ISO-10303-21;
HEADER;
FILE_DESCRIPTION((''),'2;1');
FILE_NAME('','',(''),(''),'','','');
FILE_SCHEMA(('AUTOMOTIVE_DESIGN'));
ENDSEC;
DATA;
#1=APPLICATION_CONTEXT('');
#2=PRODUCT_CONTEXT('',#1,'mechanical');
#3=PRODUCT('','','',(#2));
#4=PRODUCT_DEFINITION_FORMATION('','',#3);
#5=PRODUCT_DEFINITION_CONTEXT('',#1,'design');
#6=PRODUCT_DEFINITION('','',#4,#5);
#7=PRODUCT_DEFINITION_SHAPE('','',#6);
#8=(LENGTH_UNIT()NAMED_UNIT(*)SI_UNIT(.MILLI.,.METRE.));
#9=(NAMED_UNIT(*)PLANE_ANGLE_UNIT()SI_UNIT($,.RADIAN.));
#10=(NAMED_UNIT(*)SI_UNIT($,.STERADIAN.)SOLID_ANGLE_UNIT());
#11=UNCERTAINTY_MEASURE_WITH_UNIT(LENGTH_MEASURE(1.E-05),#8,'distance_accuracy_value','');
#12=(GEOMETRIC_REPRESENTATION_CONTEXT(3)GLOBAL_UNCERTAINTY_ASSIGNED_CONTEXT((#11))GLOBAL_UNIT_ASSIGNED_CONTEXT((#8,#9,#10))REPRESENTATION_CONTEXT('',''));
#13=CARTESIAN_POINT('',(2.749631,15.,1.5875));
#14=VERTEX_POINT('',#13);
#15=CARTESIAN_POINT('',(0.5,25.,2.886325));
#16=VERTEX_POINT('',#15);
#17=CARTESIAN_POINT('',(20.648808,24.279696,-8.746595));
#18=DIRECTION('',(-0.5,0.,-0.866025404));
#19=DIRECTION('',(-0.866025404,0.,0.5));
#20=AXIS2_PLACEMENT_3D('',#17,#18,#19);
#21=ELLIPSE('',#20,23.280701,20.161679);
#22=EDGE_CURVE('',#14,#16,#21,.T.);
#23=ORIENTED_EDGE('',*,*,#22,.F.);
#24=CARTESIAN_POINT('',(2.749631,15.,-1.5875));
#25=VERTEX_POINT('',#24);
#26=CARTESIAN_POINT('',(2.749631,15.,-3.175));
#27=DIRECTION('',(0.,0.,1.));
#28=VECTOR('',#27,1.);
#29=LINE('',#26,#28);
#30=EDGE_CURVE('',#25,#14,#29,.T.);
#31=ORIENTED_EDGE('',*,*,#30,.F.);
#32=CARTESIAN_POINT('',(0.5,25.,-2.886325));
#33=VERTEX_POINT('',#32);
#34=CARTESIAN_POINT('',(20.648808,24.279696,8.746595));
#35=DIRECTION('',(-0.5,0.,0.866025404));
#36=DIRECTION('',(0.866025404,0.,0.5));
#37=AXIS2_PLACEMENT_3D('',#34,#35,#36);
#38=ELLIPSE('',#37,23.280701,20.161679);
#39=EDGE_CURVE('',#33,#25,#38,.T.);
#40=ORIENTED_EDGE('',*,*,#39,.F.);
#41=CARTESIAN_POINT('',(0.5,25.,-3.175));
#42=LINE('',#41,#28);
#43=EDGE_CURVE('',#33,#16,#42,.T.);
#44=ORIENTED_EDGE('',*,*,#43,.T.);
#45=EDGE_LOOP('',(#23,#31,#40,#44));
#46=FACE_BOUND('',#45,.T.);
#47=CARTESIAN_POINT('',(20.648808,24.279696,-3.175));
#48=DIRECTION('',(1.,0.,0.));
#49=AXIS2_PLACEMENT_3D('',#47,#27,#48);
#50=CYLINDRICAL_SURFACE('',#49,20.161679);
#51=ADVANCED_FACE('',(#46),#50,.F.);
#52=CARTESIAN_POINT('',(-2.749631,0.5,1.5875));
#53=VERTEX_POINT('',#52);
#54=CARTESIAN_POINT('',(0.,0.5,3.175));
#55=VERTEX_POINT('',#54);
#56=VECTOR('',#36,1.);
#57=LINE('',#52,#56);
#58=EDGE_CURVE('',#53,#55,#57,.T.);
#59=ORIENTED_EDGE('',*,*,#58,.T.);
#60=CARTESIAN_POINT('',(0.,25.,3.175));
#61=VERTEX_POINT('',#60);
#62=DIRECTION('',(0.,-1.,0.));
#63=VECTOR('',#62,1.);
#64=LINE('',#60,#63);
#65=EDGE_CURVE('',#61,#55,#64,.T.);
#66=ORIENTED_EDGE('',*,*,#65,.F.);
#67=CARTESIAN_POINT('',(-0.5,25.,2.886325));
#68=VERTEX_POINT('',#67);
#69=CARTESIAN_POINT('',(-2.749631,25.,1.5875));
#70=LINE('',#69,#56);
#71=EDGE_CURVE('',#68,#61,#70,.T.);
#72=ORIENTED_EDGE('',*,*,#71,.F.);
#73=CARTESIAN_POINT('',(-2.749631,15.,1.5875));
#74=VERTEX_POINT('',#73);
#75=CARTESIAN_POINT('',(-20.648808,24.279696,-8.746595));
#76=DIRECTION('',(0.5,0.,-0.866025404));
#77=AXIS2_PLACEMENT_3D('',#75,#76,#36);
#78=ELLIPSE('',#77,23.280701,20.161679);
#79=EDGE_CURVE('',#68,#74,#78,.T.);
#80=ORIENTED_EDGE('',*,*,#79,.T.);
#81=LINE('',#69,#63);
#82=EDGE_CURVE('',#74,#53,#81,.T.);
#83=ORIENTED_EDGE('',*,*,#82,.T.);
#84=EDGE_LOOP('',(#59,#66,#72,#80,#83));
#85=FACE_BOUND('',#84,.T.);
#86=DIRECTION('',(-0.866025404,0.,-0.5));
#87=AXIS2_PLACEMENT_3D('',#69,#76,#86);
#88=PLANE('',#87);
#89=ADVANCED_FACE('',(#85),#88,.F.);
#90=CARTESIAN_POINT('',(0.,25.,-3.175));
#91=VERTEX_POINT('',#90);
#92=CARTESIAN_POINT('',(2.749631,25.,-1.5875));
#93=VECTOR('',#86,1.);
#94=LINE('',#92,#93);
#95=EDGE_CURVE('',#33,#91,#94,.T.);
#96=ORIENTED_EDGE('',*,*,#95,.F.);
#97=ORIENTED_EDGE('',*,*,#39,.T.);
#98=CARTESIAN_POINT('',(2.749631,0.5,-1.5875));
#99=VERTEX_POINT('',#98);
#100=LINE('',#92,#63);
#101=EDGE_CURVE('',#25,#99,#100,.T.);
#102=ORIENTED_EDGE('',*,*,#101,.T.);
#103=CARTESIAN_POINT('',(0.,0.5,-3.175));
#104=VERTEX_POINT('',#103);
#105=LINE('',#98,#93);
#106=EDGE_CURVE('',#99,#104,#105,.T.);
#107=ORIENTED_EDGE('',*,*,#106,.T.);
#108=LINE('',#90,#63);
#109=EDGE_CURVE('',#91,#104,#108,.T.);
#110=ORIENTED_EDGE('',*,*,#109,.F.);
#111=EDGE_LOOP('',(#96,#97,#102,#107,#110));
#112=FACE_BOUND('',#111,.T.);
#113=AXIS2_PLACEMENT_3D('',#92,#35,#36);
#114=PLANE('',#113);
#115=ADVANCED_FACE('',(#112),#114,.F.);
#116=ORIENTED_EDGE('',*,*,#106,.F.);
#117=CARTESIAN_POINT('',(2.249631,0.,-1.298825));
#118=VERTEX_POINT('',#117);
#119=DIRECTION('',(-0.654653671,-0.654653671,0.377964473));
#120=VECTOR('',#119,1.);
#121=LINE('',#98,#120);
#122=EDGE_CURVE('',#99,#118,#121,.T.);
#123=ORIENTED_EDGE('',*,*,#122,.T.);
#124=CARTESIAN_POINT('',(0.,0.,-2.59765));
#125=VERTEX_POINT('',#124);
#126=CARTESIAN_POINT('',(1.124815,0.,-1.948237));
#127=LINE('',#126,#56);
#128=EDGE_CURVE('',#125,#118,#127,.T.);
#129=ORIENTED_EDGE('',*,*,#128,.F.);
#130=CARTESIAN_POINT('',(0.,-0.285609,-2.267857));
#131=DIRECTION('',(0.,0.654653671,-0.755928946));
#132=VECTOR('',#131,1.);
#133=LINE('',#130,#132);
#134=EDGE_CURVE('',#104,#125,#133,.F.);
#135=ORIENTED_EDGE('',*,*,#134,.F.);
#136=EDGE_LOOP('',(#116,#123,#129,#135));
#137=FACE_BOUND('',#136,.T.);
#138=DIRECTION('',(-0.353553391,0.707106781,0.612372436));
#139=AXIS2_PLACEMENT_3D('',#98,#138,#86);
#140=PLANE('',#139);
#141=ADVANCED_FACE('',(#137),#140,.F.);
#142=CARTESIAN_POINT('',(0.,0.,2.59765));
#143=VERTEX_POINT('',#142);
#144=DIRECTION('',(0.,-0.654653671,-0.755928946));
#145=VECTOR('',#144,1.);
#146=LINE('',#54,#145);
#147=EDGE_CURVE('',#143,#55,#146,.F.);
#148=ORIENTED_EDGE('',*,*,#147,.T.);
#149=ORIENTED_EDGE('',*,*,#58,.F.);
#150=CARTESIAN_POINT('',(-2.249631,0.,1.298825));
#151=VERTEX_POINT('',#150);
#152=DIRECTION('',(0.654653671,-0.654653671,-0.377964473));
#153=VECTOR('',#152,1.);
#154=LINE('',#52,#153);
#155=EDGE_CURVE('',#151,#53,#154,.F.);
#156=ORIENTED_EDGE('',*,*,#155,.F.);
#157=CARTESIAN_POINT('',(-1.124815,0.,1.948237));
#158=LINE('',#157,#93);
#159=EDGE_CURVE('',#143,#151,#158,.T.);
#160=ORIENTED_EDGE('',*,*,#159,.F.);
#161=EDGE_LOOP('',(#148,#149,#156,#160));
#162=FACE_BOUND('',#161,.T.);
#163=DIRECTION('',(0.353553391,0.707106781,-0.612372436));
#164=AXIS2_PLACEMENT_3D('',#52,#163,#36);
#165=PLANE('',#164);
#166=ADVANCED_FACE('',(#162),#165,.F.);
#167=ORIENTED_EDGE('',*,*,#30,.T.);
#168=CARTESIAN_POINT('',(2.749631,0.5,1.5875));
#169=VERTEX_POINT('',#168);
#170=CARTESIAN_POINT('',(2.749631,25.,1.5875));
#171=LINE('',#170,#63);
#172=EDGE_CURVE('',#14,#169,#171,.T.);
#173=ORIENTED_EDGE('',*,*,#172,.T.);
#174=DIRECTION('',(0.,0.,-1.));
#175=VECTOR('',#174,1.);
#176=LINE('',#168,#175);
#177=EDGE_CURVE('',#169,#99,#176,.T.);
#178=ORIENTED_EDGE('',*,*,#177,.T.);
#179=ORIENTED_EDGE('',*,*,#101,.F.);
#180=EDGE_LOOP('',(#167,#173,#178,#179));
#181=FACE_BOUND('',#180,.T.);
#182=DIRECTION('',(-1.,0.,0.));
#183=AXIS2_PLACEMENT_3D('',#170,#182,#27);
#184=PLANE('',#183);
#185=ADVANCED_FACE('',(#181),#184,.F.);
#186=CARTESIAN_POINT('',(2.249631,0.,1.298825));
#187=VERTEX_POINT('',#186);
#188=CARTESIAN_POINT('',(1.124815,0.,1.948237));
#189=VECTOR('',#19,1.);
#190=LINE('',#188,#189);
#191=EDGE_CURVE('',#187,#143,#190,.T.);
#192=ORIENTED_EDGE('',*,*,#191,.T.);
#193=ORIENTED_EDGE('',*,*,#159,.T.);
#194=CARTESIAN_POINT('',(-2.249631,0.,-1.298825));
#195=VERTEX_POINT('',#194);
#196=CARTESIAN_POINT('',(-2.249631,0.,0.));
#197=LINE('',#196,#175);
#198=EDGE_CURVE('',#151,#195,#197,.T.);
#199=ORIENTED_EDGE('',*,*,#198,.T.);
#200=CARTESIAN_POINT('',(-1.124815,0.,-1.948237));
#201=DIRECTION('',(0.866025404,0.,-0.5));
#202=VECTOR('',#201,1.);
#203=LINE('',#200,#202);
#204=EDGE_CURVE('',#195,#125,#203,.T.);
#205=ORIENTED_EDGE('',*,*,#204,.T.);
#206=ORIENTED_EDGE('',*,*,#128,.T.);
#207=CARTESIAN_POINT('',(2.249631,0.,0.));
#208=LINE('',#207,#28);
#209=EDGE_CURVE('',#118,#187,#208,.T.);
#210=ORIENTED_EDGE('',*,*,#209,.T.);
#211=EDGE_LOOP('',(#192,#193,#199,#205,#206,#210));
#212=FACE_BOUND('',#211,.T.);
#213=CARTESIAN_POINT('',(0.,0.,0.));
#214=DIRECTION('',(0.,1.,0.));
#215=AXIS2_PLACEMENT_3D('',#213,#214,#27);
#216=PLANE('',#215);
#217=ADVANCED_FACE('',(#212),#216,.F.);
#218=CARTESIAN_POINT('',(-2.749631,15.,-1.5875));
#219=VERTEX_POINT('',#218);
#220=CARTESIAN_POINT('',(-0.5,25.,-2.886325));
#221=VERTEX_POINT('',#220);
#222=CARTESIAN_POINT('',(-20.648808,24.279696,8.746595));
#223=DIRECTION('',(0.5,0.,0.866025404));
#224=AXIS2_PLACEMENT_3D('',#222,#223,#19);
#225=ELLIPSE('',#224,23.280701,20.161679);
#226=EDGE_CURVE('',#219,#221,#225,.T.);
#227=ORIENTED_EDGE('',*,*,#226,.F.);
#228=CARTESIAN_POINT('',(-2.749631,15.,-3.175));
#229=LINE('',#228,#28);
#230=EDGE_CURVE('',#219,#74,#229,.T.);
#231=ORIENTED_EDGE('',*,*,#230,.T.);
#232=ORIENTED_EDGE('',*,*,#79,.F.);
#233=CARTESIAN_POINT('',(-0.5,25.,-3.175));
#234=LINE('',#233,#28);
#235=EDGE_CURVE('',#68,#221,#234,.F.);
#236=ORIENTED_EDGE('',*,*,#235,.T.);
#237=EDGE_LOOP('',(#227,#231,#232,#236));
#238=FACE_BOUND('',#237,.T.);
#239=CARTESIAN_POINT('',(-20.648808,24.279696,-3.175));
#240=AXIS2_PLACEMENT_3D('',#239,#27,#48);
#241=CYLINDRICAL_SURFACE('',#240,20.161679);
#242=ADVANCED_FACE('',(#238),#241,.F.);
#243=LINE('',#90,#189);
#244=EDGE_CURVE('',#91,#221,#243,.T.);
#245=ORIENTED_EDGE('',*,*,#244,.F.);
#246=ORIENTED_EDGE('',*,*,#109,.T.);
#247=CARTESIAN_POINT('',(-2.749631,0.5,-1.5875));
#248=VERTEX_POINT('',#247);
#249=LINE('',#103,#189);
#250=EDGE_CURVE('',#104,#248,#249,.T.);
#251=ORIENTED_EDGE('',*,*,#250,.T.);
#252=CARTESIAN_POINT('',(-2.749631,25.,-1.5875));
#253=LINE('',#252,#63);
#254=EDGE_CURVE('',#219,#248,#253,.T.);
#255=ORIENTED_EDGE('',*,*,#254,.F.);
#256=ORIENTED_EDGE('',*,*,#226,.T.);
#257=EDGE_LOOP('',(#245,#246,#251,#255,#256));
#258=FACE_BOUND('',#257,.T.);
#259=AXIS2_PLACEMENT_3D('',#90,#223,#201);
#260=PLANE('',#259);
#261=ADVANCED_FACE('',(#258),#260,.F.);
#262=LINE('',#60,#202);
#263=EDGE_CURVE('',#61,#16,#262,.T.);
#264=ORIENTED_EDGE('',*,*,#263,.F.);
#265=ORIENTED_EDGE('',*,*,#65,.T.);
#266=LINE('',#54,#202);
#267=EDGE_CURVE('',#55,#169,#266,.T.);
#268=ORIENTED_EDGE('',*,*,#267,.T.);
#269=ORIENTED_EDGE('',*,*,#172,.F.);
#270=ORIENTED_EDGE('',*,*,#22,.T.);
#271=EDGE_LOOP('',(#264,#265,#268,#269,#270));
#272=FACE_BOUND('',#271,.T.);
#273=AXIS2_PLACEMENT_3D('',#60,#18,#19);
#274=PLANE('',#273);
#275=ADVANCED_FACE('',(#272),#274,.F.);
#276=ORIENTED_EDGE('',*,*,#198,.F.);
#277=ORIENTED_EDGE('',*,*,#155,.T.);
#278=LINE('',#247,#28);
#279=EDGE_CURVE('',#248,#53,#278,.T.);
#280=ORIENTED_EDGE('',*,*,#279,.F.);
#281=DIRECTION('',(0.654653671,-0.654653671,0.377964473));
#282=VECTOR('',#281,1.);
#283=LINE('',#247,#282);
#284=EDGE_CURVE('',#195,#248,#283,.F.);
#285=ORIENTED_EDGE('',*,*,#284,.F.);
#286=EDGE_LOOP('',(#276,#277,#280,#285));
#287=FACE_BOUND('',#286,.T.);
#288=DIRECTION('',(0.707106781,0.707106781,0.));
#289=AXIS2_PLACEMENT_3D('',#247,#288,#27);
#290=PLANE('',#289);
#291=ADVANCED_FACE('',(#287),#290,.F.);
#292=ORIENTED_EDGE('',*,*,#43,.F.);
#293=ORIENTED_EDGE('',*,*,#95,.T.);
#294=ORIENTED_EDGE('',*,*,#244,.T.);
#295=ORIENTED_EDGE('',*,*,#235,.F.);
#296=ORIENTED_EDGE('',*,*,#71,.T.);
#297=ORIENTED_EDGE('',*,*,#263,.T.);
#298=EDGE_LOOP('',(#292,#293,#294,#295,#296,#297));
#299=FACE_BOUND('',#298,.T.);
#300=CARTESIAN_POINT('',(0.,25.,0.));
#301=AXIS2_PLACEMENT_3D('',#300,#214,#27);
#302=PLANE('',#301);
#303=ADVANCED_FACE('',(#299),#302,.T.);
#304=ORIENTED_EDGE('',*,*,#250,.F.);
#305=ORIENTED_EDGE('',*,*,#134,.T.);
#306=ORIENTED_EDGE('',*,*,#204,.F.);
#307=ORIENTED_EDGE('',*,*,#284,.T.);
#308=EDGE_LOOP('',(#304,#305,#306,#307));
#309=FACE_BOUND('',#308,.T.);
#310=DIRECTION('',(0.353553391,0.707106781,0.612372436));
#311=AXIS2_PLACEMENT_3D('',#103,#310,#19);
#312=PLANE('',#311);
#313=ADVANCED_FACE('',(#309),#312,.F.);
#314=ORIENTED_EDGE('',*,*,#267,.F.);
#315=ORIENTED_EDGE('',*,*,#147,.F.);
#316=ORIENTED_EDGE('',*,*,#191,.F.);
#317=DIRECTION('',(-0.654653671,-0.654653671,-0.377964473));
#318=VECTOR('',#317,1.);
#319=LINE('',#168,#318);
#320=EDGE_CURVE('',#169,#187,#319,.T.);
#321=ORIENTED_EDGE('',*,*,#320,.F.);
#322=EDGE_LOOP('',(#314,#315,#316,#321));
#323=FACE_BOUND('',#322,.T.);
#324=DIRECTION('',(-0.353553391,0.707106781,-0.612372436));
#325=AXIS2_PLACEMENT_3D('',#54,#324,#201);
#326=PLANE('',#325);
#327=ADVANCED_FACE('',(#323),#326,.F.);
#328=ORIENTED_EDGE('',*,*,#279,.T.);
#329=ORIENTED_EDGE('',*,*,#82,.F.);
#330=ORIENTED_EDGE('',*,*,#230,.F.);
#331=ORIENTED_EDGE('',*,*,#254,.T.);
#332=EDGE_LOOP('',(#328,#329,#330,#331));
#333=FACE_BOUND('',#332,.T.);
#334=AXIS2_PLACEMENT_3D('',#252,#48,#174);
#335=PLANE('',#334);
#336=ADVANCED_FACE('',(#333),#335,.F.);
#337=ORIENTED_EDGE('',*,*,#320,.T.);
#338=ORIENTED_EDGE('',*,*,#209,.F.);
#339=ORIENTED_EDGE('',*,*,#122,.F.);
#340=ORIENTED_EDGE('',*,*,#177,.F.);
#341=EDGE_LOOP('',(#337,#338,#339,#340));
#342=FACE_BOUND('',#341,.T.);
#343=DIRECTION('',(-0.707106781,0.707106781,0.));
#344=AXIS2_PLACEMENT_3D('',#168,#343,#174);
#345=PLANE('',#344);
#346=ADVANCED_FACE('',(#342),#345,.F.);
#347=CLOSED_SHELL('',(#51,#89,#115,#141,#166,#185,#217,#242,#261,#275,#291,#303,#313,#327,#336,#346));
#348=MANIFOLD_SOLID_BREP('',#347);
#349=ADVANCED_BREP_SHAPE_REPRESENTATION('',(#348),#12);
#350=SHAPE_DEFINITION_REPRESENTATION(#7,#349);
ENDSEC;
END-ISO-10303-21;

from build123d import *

# Parameters (mm, degrees)
BOSS_EXTRUDE1_DEPTH     = 25
CUT_EXTRUDE1_DEPTH      = 26.350366738
CUT_EXTRUDE1_DEPTH_BACK = 26.350366738
CHAMFER1_SIZE           = 0.5


with BuildPart() as part:
    # Sketch1 → Boss-Extrude1 (new body)
    with BuildSketch(Plane(origin=(0, 0, 0), x_dir=(1, 0, 0), z_dir=(0, 1, 0))):
        Polygon((0, 3.175), (-2.749630657, 1.5875), (-2.749630657, -1.5875), (0, -3.175), (2.749630657, -1.5875), (2.749630657, 1.5875), align=None)
    extrude(amount=BOSS_EXTRUDE1_DEPTH)

    # Sketch2 → Cut-Extrude1 (cut, two sides: drawn at the far end of the back side and taken through both)
    with BuildSketch(Plane.XY.offset(-CUT_EXTRUDE1_DEPTH_BACK)):
        with BuildLine():
            Line((-2.749630657, 25), (-0.5, 25))
            ThreePointArc((-0.5, 25), (-0.978721639, 19.854652783), (-2.749630657, 15))
            Line((-2.749630657, 15), (-2.749630657, 25))
        make_face()
        with BuildLine():
            Line((0.5, 25), (2.749630657, 25))
            Line((2.749630657, 25), (2.749630657, 15))
            ThreePointArc((2.749630657, 15), (0.978721639, 19.854652783), (0.5, 25))
        make_face()
    extrude(amount=CUT_EXTRUDE1_DEPTH + CUT_EXTRUDE1_DEPTH_BACK, mode=Mode.SUBTRACT)

    # Chamfer1
    chamfer1_edges = [part.edges().sort_by_distance(p)[0] for p in [
        (2.749630657, 0, 0),
        (1.374815329, 0, 2.38125),
        (-1.374815329, 0, 2.38125),
        (-2.749630657, 0, 0),
        (-1.374815329, 0, -2.38125),
        (1.374815329, 0, -2.38125),
    ]]
    chamfer(chamfer1_edges, length=CHAMFER1_SIZE)


solid = part.part
